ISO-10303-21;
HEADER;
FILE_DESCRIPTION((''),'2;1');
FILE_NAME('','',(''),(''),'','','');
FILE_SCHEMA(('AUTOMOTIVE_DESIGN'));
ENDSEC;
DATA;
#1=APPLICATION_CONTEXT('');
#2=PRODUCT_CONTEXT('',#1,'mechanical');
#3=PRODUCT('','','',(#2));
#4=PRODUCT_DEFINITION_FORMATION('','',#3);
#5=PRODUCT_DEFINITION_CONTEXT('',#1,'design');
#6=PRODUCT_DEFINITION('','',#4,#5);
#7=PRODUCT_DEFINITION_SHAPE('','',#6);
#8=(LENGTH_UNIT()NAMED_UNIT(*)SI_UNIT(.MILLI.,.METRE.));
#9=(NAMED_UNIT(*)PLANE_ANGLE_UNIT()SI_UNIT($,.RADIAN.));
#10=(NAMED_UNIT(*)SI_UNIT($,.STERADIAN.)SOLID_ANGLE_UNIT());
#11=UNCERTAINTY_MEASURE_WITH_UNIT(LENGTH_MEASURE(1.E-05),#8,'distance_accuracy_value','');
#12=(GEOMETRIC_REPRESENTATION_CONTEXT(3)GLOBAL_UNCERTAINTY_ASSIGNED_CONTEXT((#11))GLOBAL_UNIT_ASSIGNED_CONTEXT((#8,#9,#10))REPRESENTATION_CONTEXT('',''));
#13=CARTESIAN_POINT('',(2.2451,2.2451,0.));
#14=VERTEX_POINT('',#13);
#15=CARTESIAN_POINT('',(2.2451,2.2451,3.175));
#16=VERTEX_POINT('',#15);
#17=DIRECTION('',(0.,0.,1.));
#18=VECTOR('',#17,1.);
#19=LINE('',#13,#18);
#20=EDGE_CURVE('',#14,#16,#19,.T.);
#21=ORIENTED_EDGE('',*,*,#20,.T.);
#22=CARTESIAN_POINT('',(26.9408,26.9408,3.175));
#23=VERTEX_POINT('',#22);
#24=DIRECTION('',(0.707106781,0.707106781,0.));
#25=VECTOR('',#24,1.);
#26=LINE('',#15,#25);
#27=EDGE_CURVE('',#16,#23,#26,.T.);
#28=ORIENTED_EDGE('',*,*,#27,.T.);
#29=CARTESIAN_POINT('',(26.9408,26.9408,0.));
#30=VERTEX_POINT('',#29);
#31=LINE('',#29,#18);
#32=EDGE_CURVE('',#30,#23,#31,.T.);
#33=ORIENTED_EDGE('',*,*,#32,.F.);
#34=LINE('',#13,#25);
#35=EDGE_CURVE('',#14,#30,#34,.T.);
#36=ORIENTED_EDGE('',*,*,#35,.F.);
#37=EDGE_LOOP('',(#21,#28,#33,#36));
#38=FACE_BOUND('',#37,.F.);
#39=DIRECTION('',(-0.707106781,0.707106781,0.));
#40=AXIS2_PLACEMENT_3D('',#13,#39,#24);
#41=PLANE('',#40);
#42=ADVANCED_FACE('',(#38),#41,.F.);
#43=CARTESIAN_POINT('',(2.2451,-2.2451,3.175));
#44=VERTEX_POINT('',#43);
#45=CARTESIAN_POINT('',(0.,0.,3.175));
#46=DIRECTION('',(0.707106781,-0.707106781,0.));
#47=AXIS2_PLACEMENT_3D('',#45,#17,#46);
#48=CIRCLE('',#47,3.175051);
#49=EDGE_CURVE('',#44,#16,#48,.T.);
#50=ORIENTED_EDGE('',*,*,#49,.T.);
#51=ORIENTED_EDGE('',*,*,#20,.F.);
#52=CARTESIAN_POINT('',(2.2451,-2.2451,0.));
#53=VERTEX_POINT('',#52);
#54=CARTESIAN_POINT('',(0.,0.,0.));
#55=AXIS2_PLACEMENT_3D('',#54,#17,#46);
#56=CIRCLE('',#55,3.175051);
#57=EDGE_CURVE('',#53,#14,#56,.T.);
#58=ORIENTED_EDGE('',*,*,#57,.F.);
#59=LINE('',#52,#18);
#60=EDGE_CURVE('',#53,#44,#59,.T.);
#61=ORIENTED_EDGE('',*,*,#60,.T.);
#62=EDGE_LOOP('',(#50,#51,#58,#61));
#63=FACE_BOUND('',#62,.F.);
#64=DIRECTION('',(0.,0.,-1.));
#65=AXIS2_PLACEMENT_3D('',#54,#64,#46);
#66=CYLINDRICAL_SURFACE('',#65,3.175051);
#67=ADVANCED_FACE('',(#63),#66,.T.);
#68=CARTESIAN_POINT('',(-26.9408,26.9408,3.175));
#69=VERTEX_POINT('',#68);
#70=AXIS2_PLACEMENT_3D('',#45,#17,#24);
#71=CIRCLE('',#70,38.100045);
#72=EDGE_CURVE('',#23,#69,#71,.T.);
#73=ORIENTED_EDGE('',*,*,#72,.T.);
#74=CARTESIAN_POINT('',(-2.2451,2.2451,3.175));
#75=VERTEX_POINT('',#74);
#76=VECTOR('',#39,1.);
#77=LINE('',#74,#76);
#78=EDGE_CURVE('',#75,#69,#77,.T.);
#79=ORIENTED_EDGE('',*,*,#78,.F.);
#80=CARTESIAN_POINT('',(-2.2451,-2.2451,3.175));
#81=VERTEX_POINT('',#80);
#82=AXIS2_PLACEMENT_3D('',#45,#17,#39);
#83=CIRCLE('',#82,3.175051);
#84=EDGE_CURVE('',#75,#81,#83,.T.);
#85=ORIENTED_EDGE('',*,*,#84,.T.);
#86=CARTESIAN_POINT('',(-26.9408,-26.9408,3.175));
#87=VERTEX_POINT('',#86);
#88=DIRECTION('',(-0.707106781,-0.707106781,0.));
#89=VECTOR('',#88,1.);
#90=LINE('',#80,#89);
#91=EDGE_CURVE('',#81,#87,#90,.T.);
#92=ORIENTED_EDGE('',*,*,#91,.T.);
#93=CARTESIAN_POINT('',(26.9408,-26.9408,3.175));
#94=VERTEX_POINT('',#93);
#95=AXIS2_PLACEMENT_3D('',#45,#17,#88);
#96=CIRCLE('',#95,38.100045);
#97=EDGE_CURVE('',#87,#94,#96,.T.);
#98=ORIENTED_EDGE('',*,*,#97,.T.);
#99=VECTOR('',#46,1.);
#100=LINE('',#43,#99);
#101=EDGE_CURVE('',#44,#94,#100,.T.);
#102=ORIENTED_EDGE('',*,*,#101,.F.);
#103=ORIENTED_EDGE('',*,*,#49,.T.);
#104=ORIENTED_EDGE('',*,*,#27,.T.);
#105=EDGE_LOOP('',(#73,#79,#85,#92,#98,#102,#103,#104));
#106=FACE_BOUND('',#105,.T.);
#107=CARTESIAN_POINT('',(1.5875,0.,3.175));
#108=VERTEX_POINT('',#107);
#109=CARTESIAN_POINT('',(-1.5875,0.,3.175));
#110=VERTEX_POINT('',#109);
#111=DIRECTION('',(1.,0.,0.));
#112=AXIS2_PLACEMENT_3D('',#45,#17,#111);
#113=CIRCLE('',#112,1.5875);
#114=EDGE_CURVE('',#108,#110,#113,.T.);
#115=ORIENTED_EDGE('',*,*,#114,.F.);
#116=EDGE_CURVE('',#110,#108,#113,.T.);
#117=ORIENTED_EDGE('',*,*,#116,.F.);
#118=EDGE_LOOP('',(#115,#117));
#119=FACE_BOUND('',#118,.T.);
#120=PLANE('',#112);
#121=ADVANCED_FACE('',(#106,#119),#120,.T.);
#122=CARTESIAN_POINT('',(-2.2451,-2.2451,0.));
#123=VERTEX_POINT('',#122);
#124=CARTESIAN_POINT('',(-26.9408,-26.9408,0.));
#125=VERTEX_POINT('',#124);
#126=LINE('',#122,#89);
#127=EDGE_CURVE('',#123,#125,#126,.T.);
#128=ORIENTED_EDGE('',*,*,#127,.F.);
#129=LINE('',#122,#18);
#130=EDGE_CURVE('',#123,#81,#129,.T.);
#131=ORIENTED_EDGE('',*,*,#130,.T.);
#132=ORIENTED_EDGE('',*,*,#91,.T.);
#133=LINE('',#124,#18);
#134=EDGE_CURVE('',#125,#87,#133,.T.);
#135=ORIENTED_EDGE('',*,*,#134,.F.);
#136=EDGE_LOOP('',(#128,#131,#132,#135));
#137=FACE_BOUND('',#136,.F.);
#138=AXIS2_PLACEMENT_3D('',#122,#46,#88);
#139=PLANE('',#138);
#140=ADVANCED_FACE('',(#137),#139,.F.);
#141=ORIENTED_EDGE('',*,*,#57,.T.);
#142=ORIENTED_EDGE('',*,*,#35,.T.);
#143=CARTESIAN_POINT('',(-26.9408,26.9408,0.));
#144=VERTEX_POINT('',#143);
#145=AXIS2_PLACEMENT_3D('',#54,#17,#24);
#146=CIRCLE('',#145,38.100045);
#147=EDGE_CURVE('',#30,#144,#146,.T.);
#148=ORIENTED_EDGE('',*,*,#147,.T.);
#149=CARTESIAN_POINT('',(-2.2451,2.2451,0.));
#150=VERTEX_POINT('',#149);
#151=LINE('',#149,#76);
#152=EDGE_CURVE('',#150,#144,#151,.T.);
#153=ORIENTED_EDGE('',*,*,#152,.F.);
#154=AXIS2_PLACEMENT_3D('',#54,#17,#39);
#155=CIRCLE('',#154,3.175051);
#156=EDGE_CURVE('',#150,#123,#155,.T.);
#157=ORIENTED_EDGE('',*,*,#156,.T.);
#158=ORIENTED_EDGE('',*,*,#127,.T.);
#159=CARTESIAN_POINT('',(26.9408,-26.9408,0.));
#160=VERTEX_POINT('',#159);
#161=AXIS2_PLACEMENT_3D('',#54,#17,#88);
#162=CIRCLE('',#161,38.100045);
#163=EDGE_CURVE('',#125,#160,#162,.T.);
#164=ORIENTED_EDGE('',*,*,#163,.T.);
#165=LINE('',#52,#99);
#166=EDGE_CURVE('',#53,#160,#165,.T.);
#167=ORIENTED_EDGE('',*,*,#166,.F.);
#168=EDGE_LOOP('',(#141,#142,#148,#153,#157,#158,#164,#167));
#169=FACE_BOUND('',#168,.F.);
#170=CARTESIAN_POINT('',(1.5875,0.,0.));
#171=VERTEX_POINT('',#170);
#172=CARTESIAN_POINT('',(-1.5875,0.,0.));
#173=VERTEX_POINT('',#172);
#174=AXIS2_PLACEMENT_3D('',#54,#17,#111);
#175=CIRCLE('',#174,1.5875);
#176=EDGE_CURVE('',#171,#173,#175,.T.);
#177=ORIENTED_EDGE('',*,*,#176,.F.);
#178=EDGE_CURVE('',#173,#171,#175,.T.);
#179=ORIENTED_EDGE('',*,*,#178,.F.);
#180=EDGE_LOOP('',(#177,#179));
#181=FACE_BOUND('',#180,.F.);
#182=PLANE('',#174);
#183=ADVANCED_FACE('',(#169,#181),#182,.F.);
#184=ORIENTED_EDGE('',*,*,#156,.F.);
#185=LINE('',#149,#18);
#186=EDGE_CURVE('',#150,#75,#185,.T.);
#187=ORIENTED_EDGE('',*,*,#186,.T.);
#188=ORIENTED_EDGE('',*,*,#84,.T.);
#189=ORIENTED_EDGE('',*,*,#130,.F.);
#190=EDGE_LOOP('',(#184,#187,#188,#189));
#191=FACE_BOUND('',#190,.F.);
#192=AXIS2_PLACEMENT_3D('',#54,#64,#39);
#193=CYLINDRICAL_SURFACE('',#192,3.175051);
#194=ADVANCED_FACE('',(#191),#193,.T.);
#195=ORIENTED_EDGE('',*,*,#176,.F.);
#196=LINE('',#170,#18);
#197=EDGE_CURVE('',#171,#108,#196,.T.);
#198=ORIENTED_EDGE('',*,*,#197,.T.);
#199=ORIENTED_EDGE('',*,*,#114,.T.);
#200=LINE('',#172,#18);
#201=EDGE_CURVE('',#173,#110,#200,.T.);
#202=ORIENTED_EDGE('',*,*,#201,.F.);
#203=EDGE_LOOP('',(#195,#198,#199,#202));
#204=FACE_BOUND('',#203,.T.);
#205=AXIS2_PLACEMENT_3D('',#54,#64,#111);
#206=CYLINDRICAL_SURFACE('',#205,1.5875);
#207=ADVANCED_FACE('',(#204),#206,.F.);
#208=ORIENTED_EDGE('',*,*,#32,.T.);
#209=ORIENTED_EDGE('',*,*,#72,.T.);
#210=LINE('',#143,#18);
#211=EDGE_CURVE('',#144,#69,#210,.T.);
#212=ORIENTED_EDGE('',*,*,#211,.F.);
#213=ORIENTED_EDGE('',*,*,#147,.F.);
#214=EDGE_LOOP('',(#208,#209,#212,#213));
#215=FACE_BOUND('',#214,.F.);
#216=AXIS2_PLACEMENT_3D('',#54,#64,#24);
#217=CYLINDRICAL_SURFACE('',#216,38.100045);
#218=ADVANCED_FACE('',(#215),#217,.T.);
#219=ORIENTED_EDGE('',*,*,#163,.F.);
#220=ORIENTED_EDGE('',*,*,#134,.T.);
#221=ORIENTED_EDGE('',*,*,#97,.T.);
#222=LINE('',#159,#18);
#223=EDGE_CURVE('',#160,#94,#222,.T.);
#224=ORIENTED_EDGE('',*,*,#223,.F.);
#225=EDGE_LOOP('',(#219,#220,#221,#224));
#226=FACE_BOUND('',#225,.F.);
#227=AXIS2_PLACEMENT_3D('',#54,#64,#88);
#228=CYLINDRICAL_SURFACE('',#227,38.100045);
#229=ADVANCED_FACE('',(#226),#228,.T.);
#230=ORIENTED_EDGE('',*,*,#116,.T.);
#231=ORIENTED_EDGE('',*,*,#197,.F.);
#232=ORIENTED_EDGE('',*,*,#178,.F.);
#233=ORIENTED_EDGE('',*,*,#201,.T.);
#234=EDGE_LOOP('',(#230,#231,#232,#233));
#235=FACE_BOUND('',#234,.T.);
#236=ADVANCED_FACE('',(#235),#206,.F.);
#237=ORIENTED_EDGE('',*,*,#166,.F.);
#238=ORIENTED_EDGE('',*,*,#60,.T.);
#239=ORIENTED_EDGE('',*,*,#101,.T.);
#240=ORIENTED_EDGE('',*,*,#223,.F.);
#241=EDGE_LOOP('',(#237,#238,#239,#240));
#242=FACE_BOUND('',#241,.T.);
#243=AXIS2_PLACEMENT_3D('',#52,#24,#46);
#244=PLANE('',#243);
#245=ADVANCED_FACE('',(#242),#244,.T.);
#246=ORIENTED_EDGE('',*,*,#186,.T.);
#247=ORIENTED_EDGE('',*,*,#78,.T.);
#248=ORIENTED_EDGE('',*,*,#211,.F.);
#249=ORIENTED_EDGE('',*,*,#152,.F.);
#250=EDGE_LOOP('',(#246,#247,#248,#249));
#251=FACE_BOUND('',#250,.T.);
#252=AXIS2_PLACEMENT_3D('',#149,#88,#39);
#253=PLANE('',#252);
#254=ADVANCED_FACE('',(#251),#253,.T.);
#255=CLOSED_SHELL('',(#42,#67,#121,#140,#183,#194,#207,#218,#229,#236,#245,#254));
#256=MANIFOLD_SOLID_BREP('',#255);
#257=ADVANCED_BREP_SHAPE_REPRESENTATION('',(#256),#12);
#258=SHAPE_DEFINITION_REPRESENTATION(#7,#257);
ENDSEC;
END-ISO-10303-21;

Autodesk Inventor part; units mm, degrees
ref_plane "YZ Plane" through (0, 0, 0) normal (1, 0, 0) x (0, 1, 0)
ref_plane "XZ Plane" through (0, 0, 0) normal (0, 1, 0) x (-1, 0, 0)
ref_plane "XY Plane" through (0, 0, 0) normal (0, 0, 1) x (1, 0, 0)
sketch "Sketch1" plane through (0, 0, 0) normal (0, 0, 1) x (1, 0, 0)
  line L0 (-2.2451, -2.2451) -> (-26.9408, -26.9408)
  line L1 (2.2451, -2.2451) -> (26.9408, -26.9408)
  line L2 (2.2451, 2.2451) -> (26.9408, 26.9408)
  line L3 (-2.2451, 2.2451) -> (-26.9408, 26.9408)
  circle A0 centre (0, 0) radius 1.5875
  arc A1 (2.2451, -2.2451) -> (2.2451, 2.2451) centre (0, 0) ccw
  arc A2 (-2.2451, 2.2451) -> (-2.2451, -2.2451) centre (0, 0) ccw
  line L4 (0, 0) -> (-1.5875, 0)
  arc A3 (26.9408, 26.9408) -> (-26.9408, 26.9408) centre (0, 0) ccw
  arc A4 (-26.9408, -26.9408) -> (26.9408, -26.9408) centre (0, 0) ccw
  dimension "d5" = 3.175
  dimension "d1" = 90
  dimension "d2" = 90
  dimension "d3" = 90
extrude "Extrusion1" add sketch "Sketch1" along normal blind 3.175
properties part number "Release2"
